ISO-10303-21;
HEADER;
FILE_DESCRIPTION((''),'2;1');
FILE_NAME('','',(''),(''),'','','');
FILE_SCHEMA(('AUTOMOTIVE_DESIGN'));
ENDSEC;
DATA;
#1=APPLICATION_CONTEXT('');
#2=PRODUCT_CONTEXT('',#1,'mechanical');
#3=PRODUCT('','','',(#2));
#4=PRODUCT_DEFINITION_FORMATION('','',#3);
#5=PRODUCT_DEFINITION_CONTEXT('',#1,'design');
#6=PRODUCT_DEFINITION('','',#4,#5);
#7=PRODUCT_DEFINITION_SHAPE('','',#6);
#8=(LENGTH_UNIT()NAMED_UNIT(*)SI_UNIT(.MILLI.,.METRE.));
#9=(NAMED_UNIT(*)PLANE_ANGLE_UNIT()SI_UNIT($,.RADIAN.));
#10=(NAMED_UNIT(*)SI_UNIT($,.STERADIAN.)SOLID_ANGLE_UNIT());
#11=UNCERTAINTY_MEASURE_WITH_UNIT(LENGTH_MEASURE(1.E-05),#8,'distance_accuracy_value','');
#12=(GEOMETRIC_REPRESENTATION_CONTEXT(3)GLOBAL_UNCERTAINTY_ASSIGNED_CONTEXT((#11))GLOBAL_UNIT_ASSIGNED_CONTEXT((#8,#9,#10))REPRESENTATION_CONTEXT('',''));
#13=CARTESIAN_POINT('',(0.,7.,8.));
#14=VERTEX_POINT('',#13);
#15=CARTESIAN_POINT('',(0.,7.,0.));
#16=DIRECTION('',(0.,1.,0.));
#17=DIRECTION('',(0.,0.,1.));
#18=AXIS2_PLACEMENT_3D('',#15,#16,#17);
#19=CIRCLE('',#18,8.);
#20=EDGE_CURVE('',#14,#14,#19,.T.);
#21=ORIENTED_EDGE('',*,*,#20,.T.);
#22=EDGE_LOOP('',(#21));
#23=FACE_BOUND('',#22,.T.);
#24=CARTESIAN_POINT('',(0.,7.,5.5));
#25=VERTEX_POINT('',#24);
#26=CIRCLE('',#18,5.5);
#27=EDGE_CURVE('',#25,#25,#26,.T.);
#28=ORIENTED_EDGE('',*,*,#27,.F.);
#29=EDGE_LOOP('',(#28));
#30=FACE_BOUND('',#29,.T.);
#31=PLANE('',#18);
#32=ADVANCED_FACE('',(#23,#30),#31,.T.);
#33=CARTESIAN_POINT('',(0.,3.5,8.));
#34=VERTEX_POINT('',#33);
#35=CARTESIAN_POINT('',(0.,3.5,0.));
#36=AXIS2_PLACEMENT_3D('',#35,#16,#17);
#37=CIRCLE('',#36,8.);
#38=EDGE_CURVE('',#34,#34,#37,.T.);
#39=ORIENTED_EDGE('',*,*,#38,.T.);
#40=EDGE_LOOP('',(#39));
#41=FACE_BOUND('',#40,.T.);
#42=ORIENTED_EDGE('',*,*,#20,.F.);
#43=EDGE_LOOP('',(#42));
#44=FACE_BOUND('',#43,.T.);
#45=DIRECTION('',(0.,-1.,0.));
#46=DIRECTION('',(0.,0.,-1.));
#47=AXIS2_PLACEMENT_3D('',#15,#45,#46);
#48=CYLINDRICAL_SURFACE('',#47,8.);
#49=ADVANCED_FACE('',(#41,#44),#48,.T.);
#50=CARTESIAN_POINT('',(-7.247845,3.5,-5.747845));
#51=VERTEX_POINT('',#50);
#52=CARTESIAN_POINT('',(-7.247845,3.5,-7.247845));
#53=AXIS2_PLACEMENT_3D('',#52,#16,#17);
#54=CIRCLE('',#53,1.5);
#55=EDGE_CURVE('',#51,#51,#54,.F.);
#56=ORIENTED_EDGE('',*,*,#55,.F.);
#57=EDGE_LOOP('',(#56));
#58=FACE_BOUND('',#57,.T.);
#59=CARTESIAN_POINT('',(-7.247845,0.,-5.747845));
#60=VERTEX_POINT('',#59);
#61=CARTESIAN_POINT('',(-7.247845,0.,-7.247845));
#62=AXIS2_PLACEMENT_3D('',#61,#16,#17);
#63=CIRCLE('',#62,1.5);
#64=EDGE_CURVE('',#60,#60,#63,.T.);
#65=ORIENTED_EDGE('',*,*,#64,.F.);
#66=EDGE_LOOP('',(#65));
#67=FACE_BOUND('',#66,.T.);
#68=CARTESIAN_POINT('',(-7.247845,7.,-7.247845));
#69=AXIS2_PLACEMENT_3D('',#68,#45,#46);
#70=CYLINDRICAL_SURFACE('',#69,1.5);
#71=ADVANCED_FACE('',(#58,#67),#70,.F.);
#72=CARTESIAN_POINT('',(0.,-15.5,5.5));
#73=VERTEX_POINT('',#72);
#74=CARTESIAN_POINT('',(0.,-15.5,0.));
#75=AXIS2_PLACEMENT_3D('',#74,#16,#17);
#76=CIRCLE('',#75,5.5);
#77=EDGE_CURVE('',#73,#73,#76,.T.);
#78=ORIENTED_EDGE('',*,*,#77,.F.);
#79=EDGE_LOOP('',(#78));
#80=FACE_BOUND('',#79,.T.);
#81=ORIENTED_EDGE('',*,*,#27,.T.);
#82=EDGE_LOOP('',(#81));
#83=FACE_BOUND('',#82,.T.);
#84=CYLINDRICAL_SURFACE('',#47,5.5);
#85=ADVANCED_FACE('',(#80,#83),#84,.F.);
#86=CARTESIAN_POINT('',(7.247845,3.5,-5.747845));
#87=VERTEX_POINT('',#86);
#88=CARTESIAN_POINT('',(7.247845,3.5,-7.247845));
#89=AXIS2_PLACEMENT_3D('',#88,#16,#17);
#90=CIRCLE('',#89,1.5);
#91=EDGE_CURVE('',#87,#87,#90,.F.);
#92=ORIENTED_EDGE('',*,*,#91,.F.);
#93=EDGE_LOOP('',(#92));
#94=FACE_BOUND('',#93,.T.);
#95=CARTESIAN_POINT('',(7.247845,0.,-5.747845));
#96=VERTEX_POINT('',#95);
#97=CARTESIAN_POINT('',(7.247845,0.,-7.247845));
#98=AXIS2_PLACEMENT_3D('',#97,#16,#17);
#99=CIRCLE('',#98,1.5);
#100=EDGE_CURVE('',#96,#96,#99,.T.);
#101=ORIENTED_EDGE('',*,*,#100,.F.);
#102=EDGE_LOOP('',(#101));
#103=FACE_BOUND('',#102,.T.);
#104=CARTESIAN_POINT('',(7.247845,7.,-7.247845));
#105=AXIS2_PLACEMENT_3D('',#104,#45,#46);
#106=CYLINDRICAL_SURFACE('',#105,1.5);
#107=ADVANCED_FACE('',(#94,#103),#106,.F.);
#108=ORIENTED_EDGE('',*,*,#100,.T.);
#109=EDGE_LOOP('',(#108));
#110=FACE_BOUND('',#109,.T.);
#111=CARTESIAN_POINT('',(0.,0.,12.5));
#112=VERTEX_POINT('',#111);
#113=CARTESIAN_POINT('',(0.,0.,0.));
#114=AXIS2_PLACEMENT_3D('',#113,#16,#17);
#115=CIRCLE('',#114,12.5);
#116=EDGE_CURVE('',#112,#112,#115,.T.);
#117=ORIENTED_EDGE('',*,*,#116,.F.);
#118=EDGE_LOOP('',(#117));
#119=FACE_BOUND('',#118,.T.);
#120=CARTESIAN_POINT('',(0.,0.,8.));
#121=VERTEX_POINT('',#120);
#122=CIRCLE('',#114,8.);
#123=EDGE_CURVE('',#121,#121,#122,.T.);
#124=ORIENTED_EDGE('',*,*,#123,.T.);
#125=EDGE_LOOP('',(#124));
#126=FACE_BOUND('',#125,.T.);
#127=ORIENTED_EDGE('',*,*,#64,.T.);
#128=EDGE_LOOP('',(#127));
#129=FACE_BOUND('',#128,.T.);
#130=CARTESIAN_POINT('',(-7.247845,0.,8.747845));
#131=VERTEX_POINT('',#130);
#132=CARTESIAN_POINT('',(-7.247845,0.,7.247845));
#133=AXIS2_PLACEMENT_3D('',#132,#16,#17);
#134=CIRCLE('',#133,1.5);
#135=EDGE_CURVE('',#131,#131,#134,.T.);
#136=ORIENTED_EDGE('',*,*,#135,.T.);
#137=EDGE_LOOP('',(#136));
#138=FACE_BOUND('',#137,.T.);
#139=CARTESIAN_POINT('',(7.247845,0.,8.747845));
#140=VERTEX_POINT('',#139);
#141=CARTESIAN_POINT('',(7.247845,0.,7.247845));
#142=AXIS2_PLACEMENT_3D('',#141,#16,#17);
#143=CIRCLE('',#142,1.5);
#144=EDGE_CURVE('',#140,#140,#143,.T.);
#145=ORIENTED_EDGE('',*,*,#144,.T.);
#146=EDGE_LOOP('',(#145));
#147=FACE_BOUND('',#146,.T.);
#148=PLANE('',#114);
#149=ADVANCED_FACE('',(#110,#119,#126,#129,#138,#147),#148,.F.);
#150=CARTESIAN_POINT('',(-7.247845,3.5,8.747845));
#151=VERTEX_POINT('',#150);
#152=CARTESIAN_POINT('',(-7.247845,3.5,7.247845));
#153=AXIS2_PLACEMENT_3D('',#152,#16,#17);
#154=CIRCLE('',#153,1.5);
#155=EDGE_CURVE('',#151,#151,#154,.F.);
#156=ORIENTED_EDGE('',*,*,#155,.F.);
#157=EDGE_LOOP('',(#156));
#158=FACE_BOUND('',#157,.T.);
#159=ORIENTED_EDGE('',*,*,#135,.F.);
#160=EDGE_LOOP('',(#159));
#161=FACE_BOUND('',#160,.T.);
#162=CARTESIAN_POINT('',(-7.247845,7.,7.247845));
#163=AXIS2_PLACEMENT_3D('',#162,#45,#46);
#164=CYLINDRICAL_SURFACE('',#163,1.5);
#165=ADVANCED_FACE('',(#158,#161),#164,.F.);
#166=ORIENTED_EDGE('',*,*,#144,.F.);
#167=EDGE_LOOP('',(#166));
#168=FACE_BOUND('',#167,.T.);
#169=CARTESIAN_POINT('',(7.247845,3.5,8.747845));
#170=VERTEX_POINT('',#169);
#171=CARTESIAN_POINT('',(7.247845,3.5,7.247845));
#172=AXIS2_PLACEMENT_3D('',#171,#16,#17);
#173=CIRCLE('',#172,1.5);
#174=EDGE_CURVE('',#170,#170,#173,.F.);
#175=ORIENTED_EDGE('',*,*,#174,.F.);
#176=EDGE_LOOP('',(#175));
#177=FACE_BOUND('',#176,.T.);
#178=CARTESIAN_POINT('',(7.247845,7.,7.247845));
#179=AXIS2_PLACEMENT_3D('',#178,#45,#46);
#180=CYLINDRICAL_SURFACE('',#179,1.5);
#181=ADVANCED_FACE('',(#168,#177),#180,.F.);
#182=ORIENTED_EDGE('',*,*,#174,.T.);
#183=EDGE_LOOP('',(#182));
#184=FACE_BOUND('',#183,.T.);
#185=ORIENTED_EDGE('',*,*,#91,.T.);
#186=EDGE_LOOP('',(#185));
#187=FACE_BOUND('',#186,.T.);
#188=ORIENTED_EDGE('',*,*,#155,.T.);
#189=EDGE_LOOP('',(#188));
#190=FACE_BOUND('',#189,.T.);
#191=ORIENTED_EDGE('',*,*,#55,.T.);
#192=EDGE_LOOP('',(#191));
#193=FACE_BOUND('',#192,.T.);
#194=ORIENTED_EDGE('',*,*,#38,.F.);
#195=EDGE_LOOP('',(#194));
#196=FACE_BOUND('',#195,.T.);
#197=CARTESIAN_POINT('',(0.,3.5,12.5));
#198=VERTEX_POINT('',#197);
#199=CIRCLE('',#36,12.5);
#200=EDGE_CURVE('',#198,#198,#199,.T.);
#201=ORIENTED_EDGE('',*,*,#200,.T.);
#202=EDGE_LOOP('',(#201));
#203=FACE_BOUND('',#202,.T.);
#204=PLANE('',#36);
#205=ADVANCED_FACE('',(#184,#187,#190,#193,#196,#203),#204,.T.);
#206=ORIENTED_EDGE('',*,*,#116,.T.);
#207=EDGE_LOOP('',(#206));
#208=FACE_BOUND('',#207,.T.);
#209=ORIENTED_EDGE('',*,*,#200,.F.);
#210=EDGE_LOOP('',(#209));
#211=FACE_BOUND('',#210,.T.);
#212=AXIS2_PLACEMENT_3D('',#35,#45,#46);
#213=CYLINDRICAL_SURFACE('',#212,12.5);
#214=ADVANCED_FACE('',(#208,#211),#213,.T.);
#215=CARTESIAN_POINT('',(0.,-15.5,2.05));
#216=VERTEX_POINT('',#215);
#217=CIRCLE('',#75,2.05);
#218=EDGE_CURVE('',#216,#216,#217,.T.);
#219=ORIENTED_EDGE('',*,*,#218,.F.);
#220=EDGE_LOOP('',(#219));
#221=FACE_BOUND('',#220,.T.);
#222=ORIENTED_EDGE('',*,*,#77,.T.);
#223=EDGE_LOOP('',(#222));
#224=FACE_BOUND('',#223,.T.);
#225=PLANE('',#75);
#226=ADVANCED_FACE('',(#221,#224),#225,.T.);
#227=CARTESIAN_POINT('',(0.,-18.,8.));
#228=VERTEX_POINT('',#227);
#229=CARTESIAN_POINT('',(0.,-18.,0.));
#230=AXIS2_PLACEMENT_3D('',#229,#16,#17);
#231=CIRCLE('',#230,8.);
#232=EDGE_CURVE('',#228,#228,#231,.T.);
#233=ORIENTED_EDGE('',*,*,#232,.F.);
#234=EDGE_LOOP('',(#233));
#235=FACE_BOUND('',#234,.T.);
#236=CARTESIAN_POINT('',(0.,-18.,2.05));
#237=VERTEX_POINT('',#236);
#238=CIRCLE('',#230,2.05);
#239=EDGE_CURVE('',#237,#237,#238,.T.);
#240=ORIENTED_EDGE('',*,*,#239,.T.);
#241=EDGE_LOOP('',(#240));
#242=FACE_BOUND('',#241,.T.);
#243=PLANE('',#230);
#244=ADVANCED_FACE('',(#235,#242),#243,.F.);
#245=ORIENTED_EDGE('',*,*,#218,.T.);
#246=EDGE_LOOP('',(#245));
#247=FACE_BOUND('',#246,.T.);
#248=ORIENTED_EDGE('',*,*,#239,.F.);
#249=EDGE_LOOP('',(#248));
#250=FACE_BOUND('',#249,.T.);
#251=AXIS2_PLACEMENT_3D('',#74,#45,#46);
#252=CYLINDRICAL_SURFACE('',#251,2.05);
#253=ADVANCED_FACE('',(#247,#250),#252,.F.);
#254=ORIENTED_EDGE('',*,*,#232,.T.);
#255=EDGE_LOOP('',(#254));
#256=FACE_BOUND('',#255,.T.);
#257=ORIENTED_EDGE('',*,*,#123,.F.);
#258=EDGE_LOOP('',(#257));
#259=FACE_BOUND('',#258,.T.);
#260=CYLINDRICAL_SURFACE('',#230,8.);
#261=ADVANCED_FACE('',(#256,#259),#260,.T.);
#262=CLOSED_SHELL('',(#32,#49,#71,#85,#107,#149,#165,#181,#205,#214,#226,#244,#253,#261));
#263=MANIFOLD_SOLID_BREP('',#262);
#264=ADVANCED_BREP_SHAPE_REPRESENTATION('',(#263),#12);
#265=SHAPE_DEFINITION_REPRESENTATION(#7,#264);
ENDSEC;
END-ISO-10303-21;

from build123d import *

# Parameters (mm, degrees)
SKETCH1_R           = 12.5
BOSS_EXTRUDE1_DEPTH = 3.5
BOSS_EXTRUDE2_START = 3.5
SKETCH2_R           = 8
SKETCH2_R_2         = 5.5
BOSS_EXTRUDE2_DEPTH = 3.5
SKETCH2_2_R         = 8
SKETCH2_2_R_2       = 5.5
BOSS_EXTRUDE3_DEPTH = 18
SKETCH3_R           = 5.5
CUT_EXTRUDE1_DEPTH  = 8
BOSS_EXTRUDE4_START = -18
SKETCH4_R           = 5.5
SKETCH4_R_2         = 2.05
BOSS_EXTRUDE4_DEPTH = 2.5
SKETCH5_R           = 1.5
CUT_EXTRUDE2_DEPTH  = 8


with BuildPart() as part:
    # Sketch1 → Boss-Extrude1 (new body)
    with BuildSketch(Plane(origin=(0, 0, 0), x_dir=(1, 0, 0), z_dir=(0, 1, 0))):
        Circle(SKETCH1_R)
    extrude(amount=BOSS_EXTRUDE1_DEPTH)

    # Sketch2 → Boss-Extrude2 (add)
    with BuildSketch(Plane(origin=(0, 0, 0), x_dir=(1, 0, 0), z_dir=(0, 1, 0)).offset(BOSS_EXTRUDE2_START)):
        Circle(SKETCH2_R)
        Circle(SKETCH2_R_2, mode=Mode.SUBTRACT)
    extrude(amount=BOSS_EXTRUDE2_DEPTH)

    # Sketch2<2> → Boss-Extrude3 (add)
    with BuildSketch(Plane(origin=(0, 0, 0), x_dir=(1, 0, 0), z_dir=(0, 1, 0))):
        Circle(SKETCH2_2_R)
        Circle(SKETCH2_2_R_2, mode=Mode.SUBTRACT)
    extrude(amount=-BOSS_EXTRUDE3_DEPTH)

    # Sketch3 → Cut-Extrude1 (cut, through all)
    with BuildSketch(Plane(origin=(0, 0, 0), x_dir=(1, 0, 0), z_dir=(0, 1, 0))):
        Circle(SKETCH3_R)
    extrude(amount=CUT_EXTRUDE1_DEPTH, mode=Mode.SUBTRACT)

    # Sketch4 → Boss-Extrude4 (add)
    with BuildSketch(Plane(origin=(0, 0, 0), x_dir=(1, 0, 0), z_dir=(0, 1, 0)).offset(BOSS_EXTRUDE4_START)):
        Circle(SKETCH4_R)
        Circle(SKETCH4_R_2, mode=Mode.SUBTRACT)
    extrude(amount=BOSS_EXTRUDE4_DEPTH)

    # Sketch5 → Cut-Extrude2 (cut, through all)
    with BuildSketch(Plane(origin=(0, 0, 0), x_dir=(1, 0, 0), z_dir=(0, 1, 0))):
        with Locations((-7.247844507, 7.247844507)):
            Circle(SKETCH5_R)
        with Locations((7.247844507, 7.247844507)):
            Circle(SKETCH5_R)
        with Locations((7.247844507, -7.247844507)):
            Circle(SKETCH5_R)
        with Locations((-7.247844507, -7.247844507)):
            Circle(SKETCH5_R)
    extrude(amount=CUT_EXTRUDE2_DEPTH, mode=Mode.SUBTRACT)


solid = part.part
